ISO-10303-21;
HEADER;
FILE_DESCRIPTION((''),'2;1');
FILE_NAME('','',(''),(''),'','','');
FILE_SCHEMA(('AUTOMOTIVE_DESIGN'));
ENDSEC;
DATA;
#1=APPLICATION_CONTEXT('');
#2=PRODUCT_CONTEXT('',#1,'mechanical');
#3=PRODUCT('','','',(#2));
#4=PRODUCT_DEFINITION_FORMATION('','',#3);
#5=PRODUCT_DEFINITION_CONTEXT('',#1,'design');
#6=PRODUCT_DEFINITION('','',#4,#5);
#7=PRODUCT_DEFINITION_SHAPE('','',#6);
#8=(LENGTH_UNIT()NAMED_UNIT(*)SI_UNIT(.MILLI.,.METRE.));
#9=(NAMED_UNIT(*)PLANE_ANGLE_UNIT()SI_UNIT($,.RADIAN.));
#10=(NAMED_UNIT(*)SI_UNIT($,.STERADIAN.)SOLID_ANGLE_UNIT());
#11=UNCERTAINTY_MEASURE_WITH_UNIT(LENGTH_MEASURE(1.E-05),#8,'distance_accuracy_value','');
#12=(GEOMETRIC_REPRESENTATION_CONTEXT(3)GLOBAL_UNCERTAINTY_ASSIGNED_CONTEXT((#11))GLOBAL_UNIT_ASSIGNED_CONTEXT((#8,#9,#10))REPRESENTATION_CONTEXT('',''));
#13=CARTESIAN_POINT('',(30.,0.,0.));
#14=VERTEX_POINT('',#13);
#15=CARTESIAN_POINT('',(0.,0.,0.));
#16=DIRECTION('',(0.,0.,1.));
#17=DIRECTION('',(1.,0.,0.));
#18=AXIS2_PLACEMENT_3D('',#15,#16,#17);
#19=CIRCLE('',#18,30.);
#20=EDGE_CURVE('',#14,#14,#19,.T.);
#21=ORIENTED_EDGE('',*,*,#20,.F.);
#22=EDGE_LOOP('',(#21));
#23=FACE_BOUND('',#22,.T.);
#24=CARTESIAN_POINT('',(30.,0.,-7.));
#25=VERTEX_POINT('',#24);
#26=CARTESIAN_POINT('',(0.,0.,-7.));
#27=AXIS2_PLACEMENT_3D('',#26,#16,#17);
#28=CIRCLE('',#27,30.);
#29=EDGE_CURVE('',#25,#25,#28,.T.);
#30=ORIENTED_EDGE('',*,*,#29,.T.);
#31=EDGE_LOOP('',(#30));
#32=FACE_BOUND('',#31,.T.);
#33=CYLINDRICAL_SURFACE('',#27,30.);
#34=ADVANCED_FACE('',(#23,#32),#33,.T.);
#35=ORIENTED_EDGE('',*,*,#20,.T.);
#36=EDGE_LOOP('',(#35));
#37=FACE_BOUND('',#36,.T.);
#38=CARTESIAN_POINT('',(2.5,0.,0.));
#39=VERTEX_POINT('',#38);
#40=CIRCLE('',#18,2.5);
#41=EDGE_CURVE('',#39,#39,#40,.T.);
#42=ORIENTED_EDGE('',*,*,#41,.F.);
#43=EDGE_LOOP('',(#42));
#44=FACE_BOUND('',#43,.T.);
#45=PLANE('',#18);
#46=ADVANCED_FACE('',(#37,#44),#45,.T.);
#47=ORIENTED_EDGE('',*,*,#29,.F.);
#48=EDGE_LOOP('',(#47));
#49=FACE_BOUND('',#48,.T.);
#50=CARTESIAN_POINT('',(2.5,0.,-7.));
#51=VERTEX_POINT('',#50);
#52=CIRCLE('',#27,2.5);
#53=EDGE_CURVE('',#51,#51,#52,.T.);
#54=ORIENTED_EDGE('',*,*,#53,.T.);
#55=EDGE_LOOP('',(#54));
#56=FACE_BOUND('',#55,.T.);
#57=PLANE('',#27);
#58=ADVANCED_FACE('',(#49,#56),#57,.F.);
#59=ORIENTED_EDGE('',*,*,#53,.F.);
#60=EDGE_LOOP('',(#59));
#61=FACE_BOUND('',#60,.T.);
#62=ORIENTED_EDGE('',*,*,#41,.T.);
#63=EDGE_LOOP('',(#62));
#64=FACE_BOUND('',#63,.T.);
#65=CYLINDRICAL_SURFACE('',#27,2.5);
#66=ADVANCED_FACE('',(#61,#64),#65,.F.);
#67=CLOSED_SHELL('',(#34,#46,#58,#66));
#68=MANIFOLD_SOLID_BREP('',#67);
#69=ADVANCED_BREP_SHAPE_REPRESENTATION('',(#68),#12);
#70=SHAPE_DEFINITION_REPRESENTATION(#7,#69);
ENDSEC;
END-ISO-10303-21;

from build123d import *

# Parameters (mm, degrees)
SKETCH_1_R      = 30
SKETCH_1_R_2    = 2.5
EXTRUDE_2_DEPTH = 7


with BuildPart() as part:
    # Эскиз1 → Бобышка-Вытянуть2 (new body)
    with BuildSketch(Plane.XY):
        Circle(SKETCH_1_R)
        Circle(SKETCH_1_R_2, mode=Mode.SUBTRACT)
    extrude(amount=-EXTRUDE_2_DEPTH)


solid = part.part
